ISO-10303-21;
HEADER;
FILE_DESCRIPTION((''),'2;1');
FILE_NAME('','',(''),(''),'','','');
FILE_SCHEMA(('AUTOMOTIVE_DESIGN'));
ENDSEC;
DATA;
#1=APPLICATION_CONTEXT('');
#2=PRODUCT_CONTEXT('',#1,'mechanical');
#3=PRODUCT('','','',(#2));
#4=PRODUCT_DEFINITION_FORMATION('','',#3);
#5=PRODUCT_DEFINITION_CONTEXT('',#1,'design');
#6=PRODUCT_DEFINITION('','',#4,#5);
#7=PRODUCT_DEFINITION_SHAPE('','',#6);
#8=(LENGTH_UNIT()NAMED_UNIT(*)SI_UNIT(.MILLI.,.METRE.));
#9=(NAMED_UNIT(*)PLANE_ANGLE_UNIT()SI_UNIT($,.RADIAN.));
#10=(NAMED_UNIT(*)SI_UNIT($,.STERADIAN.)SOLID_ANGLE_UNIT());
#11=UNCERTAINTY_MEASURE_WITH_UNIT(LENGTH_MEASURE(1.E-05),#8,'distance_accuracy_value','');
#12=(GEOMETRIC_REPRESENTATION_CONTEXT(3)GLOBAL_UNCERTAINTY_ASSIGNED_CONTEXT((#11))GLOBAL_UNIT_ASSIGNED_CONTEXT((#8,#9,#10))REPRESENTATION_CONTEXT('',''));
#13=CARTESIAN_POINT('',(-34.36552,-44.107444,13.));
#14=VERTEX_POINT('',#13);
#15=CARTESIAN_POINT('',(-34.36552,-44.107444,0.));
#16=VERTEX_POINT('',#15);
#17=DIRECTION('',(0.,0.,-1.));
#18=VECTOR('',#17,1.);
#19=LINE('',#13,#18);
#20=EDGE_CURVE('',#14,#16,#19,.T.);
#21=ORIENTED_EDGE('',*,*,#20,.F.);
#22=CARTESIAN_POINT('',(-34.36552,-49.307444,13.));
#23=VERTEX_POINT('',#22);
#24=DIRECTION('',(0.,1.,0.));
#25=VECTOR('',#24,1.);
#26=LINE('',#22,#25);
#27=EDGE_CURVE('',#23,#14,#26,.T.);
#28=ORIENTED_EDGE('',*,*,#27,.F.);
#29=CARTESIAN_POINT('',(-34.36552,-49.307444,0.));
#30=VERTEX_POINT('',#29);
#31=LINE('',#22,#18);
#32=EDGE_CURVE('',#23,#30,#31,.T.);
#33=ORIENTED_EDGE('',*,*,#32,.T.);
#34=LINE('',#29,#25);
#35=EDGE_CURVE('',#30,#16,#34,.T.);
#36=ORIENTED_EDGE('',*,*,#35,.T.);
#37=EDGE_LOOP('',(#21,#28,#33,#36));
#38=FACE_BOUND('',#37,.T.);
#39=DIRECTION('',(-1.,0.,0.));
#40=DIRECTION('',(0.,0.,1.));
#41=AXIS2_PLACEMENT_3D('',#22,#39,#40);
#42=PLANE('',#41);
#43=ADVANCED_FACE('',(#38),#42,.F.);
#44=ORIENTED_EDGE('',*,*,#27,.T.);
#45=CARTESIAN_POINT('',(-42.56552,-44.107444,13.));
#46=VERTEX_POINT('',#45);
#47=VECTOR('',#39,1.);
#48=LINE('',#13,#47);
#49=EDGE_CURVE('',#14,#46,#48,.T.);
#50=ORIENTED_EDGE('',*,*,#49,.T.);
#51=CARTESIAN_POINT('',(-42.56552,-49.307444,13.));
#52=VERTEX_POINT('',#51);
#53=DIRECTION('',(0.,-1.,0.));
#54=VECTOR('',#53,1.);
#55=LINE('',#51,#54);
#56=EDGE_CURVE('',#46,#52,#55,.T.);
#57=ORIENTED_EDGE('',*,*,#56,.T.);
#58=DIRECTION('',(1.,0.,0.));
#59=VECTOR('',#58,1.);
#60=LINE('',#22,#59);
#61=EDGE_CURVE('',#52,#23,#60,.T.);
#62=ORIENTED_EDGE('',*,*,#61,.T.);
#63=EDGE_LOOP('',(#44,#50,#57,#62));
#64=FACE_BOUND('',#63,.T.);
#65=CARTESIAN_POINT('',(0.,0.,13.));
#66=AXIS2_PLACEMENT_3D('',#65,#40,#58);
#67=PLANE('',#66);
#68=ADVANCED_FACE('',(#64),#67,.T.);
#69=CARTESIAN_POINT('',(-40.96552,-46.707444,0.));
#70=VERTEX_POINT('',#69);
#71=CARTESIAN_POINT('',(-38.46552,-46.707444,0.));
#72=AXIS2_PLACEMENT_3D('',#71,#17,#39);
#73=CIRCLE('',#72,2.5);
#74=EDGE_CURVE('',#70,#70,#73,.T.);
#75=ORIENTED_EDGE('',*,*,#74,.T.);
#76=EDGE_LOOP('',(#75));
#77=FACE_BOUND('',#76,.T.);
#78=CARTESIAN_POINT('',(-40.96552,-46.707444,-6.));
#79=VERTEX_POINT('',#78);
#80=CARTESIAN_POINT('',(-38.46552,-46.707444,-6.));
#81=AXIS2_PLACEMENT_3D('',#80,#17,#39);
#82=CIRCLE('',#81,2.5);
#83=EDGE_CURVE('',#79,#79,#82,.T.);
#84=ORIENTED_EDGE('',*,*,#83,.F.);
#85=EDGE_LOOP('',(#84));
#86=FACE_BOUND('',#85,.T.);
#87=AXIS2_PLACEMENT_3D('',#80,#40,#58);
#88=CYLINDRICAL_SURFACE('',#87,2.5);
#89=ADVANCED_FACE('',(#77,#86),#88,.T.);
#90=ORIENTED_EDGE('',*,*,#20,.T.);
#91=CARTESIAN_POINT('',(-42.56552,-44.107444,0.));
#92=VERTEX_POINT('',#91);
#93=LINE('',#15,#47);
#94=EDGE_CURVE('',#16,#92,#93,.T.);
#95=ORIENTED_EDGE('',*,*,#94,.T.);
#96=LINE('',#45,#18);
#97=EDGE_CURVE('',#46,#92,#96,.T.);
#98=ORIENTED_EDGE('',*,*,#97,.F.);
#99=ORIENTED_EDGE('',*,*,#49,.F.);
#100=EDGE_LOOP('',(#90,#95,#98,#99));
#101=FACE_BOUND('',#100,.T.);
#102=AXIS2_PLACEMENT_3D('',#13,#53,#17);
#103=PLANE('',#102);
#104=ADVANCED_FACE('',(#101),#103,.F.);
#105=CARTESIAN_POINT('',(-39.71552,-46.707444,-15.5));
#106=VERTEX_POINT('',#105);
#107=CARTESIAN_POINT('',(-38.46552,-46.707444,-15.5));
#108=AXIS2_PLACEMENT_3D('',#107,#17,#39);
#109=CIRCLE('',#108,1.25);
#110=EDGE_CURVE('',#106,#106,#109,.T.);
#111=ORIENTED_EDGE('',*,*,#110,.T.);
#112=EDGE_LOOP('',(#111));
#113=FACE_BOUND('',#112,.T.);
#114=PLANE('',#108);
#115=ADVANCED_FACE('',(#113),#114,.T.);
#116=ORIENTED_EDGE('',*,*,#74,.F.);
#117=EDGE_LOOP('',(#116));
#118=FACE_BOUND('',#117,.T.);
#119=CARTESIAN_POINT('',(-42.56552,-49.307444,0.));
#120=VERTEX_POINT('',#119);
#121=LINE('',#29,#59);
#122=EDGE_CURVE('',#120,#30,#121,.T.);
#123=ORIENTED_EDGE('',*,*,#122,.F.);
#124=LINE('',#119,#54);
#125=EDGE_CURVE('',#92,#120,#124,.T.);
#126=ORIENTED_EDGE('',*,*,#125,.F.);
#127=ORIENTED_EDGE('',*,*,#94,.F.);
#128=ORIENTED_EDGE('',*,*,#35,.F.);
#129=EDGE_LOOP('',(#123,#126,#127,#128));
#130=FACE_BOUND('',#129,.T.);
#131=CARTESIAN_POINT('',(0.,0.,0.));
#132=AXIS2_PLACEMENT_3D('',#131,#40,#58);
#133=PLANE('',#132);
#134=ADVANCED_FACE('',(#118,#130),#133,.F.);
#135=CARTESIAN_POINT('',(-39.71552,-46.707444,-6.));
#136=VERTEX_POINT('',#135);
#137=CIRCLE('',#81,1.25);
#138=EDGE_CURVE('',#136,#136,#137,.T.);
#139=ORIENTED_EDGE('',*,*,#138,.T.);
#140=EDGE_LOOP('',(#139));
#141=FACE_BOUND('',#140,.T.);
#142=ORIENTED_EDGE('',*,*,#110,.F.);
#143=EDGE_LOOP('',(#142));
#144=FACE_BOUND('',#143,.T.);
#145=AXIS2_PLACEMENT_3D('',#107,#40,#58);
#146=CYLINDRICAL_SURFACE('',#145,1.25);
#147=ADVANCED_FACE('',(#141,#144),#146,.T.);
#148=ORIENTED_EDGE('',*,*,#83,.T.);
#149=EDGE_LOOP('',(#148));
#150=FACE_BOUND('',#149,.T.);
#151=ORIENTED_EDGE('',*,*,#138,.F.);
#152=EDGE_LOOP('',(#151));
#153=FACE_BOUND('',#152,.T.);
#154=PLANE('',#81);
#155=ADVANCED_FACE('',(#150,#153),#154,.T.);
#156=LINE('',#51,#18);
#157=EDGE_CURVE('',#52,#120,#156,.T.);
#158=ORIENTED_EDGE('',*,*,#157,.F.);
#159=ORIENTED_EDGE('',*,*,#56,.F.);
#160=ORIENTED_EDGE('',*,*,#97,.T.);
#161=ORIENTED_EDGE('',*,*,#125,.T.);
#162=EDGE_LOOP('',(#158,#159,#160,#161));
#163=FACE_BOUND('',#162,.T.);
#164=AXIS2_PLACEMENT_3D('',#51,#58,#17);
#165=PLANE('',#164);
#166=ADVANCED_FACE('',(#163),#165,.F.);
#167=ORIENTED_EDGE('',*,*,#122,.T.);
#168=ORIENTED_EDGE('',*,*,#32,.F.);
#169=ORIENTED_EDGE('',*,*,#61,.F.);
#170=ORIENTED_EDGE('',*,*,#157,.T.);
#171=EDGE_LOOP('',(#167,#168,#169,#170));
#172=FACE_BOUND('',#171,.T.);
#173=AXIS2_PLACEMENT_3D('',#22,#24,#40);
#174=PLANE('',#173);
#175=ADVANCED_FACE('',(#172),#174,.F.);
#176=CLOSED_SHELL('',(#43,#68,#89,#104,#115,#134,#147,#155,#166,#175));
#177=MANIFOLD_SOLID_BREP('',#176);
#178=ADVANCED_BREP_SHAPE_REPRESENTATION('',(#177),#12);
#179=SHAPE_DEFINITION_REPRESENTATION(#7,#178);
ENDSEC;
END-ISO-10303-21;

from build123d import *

# Parameters (mm, degrees)
SKETCH_1_W      = 8.2
SKETCH_1_H      = 5.2
EXTRUDE_1_DEPTH = 13
SKETCH_2_R      = 2.5
EXTRUDE_2_DEPTH = 6
SKETCH_3_R      = 1.25
EXTRUDE_3_DEPTH = 9.5


with BuildPart() as part:
    # 草圖1 → 填料-伸長1 (new body)
    with BuildSketch(Plane.XY):
        with Locations((-38.465519845, -46.707444045)):
            Rectangle(SKETCH_1_W, SKETCH_1_H)
    extrude(amount=EXTRUDE_1_DEPTH)

    # 草圖2 → 填料-伸長2 (add)
    with BuildSketch(Plane(origin=(0, 0, 0), x_dir=(-1, 0, 0), z_dir=(0, 0, -1))):
        with Locations((38.465519845, -46.707444045)):
            Circle(SKETCH_2_R)
    extrude(amount=EXTRUDE_2_DEPTH)

    # 草圖3 → 填料-伸長3 (add)
    with BuildSketch(Plane(origin=(0, 0, -6), x_dir=(-1, 0, 0), z_dir=(0, 0, -1))):
        with Locations((38.465519845, -46.707444045)):
            Circle(SKETCH_3_R)
    extrude(amount=EXTRUDE_3_DEPTH)


solid = part.part
